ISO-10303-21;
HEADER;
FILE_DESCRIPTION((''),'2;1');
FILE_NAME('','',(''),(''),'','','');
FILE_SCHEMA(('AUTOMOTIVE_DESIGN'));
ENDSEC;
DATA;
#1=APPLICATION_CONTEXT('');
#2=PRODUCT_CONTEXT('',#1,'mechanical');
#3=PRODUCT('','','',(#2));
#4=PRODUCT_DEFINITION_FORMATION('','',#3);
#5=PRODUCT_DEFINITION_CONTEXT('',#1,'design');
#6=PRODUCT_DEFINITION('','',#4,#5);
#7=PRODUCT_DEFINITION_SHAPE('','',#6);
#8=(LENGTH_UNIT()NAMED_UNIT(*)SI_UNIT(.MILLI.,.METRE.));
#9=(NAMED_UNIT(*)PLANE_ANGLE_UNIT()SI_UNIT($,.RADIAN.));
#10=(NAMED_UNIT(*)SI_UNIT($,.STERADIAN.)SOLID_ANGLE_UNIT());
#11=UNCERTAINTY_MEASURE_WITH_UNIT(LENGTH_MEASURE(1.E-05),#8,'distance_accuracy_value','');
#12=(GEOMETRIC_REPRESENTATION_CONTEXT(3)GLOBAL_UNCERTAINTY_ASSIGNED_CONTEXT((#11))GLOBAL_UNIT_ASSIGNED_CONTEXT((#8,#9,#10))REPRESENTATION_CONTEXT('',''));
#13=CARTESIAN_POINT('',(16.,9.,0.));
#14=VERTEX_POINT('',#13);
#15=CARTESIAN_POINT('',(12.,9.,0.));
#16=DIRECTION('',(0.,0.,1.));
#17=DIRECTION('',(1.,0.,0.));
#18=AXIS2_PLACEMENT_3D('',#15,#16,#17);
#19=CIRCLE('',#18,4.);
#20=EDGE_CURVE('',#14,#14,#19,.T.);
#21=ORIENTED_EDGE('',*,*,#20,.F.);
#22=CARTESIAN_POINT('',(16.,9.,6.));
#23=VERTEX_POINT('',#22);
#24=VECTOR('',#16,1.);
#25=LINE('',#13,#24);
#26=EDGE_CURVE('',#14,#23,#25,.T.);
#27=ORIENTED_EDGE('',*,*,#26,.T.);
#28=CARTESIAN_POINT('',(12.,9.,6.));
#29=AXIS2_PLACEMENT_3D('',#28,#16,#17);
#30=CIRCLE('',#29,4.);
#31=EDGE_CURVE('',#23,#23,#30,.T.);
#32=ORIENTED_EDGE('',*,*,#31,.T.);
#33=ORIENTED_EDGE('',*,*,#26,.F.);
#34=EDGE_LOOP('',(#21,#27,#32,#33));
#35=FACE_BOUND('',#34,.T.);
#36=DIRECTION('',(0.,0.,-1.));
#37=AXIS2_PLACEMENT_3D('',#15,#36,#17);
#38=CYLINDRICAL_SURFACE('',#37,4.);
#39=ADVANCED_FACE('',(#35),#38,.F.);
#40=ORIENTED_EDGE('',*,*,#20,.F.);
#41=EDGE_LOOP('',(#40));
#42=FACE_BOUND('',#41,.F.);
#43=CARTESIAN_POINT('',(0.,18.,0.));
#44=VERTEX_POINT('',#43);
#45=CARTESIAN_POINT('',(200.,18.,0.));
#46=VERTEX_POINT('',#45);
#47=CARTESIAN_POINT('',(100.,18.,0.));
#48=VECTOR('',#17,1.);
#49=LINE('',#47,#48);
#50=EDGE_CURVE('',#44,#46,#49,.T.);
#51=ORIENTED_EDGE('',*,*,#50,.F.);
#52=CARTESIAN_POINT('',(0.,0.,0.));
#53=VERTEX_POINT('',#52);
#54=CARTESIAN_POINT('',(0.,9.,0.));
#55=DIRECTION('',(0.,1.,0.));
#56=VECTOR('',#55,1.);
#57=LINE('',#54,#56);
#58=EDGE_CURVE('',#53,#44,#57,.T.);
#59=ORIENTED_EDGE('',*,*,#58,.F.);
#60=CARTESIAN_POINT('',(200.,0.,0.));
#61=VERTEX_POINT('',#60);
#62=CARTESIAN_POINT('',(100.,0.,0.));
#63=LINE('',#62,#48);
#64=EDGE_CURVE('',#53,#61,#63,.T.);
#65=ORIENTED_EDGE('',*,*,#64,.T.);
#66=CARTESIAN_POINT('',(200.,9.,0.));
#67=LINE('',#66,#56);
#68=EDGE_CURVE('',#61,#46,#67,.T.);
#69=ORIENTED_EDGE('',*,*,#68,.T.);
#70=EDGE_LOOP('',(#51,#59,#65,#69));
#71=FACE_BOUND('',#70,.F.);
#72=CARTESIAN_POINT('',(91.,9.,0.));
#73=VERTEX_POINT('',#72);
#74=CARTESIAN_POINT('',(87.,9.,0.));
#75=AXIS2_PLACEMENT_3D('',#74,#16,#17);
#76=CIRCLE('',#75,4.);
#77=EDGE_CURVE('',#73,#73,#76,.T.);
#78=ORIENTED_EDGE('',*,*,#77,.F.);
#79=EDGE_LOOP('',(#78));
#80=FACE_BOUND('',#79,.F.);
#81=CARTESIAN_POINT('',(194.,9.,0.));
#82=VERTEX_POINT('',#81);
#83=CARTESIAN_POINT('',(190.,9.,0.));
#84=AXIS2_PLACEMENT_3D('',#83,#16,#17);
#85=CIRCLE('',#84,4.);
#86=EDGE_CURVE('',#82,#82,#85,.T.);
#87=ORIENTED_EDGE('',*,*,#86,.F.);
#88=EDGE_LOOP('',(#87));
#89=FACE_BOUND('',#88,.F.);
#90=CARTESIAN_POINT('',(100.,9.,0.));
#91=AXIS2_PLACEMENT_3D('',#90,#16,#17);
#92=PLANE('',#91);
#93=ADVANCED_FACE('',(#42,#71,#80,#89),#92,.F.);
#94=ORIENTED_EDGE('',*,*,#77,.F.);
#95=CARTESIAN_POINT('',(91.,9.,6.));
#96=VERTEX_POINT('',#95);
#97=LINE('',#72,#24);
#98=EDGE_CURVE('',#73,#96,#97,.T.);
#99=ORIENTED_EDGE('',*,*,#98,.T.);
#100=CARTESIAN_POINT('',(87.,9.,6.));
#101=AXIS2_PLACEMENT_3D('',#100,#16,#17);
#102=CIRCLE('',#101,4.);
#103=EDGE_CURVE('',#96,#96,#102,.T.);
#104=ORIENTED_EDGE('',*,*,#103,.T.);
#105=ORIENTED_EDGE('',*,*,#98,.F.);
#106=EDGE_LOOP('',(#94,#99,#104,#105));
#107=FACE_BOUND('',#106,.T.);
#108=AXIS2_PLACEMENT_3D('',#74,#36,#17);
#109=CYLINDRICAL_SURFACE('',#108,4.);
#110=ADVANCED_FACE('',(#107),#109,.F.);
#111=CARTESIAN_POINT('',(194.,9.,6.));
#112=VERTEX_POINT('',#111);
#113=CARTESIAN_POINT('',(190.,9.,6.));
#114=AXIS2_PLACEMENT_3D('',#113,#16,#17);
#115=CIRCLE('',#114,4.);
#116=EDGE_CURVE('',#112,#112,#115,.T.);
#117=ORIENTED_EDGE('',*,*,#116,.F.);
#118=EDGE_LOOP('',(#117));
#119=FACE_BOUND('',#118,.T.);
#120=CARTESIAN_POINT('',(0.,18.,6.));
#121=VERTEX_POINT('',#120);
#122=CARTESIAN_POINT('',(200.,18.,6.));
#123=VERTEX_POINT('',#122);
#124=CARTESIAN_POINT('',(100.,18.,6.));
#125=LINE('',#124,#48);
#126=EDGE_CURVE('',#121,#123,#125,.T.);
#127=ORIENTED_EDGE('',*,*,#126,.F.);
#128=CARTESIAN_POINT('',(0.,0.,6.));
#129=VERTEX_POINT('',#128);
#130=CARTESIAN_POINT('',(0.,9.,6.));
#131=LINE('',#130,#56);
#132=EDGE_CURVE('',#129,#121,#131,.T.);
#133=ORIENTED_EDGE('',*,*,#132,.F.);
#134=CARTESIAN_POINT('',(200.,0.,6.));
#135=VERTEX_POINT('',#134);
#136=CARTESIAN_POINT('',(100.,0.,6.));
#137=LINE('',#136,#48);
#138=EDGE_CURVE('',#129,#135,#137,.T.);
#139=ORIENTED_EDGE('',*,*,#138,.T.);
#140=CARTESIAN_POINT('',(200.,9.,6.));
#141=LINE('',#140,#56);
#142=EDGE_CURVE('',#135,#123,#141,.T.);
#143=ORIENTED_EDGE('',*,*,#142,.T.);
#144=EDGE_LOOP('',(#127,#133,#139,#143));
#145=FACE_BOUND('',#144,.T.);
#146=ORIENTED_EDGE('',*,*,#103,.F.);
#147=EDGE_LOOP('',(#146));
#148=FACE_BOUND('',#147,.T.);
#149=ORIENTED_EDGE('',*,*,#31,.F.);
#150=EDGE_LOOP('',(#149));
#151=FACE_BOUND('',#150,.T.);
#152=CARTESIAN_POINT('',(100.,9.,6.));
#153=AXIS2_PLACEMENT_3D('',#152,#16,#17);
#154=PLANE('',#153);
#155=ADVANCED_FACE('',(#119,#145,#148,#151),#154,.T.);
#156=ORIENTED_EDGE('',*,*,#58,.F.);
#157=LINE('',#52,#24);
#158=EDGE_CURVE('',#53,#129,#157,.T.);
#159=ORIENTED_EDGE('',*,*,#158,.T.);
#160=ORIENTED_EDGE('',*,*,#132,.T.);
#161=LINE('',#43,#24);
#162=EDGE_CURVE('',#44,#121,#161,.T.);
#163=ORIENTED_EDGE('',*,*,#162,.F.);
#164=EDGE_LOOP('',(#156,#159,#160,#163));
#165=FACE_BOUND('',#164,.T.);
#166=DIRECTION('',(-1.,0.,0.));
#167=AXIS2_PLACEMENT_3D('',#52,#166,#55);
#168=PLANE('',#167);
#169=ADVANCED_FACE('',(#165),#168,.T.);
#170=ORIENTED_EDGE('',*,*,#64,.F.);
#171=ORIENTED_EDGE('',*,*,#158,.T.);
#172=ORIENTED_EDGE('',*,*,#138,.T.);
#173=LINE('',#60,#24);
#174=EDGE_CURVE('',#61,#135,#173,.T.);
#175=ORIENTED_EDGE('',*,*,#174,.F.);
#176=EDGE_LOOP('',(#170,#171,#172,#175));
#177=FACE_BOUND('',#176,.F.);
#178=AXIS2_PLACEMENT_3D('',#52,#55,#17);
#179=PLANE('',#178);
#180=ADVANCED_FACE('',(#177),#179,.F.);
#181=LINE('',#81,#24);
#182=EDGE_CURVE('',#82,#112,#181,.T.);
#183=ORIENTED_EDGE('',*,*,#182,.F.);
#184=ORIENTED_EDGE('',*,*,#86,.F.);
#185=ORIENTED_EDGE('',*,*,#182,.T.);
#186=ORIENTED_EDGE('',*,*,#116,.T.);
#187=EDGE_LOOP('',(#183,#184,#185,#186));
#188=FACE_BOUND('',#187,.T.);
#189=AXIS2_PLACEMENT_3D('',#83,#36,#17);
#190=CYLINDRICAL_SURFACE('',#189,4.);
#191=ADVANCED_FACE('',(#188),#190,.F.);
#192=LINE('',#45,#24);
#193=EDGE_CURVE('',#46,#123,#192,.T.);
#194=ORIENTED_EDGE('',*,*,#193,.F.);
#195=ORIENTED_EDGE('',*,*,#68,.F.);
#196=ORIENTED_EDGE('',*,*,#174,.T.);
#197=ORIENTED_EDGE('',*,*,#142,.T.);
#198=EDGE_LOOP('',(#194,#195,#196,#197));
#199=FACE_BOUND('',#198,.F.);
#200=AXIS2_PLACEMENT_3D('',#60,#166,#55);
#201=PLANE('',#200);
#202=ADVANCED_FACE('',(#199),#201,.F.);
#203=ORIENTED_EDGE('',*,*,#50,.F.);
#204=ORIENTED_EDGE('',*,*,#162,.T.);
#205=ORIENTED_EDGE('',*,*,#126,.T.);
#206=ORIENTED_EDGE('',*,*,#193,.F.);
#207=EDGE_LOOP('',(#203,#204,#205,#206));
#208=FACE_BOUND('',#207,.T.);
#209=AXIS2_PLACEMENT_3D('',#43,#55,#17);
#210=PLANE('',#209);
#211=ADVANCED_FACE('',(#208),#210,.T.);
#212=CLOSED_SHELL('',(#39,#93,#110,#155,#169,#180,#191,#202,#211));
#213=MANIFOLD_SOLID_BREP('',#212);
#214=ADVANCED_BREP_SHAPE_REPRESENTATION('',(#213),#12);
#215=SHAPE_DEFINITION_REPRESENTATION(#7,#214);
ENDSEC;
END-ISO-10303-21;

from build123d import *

# Parameters (mm, degrees)
F0_W     = 200
F0_H     = 18
F0_R     = 4
F1_DEPTH = 6


with BuildPart() as f1:
    # F0 (on Top) → F1 (new body)
    with BuildSketch(Plane.XY):
        with Locations((100, 9)):
            Rectangle(F0_W, F0_H)
        with Locations((12, 9)):
            Circle(F0_R, mode=Mode.SUBTRACT)
        with Locations((87, 9)):
            Circle(F0_R, mode=Mode.SUBTRACT)
        with Locations((190, 9)):
            Circle(F0_R, mode=Mode.SUBTRACT)
    extrude(amount=F1_DEPTH)


solid = f1.part
